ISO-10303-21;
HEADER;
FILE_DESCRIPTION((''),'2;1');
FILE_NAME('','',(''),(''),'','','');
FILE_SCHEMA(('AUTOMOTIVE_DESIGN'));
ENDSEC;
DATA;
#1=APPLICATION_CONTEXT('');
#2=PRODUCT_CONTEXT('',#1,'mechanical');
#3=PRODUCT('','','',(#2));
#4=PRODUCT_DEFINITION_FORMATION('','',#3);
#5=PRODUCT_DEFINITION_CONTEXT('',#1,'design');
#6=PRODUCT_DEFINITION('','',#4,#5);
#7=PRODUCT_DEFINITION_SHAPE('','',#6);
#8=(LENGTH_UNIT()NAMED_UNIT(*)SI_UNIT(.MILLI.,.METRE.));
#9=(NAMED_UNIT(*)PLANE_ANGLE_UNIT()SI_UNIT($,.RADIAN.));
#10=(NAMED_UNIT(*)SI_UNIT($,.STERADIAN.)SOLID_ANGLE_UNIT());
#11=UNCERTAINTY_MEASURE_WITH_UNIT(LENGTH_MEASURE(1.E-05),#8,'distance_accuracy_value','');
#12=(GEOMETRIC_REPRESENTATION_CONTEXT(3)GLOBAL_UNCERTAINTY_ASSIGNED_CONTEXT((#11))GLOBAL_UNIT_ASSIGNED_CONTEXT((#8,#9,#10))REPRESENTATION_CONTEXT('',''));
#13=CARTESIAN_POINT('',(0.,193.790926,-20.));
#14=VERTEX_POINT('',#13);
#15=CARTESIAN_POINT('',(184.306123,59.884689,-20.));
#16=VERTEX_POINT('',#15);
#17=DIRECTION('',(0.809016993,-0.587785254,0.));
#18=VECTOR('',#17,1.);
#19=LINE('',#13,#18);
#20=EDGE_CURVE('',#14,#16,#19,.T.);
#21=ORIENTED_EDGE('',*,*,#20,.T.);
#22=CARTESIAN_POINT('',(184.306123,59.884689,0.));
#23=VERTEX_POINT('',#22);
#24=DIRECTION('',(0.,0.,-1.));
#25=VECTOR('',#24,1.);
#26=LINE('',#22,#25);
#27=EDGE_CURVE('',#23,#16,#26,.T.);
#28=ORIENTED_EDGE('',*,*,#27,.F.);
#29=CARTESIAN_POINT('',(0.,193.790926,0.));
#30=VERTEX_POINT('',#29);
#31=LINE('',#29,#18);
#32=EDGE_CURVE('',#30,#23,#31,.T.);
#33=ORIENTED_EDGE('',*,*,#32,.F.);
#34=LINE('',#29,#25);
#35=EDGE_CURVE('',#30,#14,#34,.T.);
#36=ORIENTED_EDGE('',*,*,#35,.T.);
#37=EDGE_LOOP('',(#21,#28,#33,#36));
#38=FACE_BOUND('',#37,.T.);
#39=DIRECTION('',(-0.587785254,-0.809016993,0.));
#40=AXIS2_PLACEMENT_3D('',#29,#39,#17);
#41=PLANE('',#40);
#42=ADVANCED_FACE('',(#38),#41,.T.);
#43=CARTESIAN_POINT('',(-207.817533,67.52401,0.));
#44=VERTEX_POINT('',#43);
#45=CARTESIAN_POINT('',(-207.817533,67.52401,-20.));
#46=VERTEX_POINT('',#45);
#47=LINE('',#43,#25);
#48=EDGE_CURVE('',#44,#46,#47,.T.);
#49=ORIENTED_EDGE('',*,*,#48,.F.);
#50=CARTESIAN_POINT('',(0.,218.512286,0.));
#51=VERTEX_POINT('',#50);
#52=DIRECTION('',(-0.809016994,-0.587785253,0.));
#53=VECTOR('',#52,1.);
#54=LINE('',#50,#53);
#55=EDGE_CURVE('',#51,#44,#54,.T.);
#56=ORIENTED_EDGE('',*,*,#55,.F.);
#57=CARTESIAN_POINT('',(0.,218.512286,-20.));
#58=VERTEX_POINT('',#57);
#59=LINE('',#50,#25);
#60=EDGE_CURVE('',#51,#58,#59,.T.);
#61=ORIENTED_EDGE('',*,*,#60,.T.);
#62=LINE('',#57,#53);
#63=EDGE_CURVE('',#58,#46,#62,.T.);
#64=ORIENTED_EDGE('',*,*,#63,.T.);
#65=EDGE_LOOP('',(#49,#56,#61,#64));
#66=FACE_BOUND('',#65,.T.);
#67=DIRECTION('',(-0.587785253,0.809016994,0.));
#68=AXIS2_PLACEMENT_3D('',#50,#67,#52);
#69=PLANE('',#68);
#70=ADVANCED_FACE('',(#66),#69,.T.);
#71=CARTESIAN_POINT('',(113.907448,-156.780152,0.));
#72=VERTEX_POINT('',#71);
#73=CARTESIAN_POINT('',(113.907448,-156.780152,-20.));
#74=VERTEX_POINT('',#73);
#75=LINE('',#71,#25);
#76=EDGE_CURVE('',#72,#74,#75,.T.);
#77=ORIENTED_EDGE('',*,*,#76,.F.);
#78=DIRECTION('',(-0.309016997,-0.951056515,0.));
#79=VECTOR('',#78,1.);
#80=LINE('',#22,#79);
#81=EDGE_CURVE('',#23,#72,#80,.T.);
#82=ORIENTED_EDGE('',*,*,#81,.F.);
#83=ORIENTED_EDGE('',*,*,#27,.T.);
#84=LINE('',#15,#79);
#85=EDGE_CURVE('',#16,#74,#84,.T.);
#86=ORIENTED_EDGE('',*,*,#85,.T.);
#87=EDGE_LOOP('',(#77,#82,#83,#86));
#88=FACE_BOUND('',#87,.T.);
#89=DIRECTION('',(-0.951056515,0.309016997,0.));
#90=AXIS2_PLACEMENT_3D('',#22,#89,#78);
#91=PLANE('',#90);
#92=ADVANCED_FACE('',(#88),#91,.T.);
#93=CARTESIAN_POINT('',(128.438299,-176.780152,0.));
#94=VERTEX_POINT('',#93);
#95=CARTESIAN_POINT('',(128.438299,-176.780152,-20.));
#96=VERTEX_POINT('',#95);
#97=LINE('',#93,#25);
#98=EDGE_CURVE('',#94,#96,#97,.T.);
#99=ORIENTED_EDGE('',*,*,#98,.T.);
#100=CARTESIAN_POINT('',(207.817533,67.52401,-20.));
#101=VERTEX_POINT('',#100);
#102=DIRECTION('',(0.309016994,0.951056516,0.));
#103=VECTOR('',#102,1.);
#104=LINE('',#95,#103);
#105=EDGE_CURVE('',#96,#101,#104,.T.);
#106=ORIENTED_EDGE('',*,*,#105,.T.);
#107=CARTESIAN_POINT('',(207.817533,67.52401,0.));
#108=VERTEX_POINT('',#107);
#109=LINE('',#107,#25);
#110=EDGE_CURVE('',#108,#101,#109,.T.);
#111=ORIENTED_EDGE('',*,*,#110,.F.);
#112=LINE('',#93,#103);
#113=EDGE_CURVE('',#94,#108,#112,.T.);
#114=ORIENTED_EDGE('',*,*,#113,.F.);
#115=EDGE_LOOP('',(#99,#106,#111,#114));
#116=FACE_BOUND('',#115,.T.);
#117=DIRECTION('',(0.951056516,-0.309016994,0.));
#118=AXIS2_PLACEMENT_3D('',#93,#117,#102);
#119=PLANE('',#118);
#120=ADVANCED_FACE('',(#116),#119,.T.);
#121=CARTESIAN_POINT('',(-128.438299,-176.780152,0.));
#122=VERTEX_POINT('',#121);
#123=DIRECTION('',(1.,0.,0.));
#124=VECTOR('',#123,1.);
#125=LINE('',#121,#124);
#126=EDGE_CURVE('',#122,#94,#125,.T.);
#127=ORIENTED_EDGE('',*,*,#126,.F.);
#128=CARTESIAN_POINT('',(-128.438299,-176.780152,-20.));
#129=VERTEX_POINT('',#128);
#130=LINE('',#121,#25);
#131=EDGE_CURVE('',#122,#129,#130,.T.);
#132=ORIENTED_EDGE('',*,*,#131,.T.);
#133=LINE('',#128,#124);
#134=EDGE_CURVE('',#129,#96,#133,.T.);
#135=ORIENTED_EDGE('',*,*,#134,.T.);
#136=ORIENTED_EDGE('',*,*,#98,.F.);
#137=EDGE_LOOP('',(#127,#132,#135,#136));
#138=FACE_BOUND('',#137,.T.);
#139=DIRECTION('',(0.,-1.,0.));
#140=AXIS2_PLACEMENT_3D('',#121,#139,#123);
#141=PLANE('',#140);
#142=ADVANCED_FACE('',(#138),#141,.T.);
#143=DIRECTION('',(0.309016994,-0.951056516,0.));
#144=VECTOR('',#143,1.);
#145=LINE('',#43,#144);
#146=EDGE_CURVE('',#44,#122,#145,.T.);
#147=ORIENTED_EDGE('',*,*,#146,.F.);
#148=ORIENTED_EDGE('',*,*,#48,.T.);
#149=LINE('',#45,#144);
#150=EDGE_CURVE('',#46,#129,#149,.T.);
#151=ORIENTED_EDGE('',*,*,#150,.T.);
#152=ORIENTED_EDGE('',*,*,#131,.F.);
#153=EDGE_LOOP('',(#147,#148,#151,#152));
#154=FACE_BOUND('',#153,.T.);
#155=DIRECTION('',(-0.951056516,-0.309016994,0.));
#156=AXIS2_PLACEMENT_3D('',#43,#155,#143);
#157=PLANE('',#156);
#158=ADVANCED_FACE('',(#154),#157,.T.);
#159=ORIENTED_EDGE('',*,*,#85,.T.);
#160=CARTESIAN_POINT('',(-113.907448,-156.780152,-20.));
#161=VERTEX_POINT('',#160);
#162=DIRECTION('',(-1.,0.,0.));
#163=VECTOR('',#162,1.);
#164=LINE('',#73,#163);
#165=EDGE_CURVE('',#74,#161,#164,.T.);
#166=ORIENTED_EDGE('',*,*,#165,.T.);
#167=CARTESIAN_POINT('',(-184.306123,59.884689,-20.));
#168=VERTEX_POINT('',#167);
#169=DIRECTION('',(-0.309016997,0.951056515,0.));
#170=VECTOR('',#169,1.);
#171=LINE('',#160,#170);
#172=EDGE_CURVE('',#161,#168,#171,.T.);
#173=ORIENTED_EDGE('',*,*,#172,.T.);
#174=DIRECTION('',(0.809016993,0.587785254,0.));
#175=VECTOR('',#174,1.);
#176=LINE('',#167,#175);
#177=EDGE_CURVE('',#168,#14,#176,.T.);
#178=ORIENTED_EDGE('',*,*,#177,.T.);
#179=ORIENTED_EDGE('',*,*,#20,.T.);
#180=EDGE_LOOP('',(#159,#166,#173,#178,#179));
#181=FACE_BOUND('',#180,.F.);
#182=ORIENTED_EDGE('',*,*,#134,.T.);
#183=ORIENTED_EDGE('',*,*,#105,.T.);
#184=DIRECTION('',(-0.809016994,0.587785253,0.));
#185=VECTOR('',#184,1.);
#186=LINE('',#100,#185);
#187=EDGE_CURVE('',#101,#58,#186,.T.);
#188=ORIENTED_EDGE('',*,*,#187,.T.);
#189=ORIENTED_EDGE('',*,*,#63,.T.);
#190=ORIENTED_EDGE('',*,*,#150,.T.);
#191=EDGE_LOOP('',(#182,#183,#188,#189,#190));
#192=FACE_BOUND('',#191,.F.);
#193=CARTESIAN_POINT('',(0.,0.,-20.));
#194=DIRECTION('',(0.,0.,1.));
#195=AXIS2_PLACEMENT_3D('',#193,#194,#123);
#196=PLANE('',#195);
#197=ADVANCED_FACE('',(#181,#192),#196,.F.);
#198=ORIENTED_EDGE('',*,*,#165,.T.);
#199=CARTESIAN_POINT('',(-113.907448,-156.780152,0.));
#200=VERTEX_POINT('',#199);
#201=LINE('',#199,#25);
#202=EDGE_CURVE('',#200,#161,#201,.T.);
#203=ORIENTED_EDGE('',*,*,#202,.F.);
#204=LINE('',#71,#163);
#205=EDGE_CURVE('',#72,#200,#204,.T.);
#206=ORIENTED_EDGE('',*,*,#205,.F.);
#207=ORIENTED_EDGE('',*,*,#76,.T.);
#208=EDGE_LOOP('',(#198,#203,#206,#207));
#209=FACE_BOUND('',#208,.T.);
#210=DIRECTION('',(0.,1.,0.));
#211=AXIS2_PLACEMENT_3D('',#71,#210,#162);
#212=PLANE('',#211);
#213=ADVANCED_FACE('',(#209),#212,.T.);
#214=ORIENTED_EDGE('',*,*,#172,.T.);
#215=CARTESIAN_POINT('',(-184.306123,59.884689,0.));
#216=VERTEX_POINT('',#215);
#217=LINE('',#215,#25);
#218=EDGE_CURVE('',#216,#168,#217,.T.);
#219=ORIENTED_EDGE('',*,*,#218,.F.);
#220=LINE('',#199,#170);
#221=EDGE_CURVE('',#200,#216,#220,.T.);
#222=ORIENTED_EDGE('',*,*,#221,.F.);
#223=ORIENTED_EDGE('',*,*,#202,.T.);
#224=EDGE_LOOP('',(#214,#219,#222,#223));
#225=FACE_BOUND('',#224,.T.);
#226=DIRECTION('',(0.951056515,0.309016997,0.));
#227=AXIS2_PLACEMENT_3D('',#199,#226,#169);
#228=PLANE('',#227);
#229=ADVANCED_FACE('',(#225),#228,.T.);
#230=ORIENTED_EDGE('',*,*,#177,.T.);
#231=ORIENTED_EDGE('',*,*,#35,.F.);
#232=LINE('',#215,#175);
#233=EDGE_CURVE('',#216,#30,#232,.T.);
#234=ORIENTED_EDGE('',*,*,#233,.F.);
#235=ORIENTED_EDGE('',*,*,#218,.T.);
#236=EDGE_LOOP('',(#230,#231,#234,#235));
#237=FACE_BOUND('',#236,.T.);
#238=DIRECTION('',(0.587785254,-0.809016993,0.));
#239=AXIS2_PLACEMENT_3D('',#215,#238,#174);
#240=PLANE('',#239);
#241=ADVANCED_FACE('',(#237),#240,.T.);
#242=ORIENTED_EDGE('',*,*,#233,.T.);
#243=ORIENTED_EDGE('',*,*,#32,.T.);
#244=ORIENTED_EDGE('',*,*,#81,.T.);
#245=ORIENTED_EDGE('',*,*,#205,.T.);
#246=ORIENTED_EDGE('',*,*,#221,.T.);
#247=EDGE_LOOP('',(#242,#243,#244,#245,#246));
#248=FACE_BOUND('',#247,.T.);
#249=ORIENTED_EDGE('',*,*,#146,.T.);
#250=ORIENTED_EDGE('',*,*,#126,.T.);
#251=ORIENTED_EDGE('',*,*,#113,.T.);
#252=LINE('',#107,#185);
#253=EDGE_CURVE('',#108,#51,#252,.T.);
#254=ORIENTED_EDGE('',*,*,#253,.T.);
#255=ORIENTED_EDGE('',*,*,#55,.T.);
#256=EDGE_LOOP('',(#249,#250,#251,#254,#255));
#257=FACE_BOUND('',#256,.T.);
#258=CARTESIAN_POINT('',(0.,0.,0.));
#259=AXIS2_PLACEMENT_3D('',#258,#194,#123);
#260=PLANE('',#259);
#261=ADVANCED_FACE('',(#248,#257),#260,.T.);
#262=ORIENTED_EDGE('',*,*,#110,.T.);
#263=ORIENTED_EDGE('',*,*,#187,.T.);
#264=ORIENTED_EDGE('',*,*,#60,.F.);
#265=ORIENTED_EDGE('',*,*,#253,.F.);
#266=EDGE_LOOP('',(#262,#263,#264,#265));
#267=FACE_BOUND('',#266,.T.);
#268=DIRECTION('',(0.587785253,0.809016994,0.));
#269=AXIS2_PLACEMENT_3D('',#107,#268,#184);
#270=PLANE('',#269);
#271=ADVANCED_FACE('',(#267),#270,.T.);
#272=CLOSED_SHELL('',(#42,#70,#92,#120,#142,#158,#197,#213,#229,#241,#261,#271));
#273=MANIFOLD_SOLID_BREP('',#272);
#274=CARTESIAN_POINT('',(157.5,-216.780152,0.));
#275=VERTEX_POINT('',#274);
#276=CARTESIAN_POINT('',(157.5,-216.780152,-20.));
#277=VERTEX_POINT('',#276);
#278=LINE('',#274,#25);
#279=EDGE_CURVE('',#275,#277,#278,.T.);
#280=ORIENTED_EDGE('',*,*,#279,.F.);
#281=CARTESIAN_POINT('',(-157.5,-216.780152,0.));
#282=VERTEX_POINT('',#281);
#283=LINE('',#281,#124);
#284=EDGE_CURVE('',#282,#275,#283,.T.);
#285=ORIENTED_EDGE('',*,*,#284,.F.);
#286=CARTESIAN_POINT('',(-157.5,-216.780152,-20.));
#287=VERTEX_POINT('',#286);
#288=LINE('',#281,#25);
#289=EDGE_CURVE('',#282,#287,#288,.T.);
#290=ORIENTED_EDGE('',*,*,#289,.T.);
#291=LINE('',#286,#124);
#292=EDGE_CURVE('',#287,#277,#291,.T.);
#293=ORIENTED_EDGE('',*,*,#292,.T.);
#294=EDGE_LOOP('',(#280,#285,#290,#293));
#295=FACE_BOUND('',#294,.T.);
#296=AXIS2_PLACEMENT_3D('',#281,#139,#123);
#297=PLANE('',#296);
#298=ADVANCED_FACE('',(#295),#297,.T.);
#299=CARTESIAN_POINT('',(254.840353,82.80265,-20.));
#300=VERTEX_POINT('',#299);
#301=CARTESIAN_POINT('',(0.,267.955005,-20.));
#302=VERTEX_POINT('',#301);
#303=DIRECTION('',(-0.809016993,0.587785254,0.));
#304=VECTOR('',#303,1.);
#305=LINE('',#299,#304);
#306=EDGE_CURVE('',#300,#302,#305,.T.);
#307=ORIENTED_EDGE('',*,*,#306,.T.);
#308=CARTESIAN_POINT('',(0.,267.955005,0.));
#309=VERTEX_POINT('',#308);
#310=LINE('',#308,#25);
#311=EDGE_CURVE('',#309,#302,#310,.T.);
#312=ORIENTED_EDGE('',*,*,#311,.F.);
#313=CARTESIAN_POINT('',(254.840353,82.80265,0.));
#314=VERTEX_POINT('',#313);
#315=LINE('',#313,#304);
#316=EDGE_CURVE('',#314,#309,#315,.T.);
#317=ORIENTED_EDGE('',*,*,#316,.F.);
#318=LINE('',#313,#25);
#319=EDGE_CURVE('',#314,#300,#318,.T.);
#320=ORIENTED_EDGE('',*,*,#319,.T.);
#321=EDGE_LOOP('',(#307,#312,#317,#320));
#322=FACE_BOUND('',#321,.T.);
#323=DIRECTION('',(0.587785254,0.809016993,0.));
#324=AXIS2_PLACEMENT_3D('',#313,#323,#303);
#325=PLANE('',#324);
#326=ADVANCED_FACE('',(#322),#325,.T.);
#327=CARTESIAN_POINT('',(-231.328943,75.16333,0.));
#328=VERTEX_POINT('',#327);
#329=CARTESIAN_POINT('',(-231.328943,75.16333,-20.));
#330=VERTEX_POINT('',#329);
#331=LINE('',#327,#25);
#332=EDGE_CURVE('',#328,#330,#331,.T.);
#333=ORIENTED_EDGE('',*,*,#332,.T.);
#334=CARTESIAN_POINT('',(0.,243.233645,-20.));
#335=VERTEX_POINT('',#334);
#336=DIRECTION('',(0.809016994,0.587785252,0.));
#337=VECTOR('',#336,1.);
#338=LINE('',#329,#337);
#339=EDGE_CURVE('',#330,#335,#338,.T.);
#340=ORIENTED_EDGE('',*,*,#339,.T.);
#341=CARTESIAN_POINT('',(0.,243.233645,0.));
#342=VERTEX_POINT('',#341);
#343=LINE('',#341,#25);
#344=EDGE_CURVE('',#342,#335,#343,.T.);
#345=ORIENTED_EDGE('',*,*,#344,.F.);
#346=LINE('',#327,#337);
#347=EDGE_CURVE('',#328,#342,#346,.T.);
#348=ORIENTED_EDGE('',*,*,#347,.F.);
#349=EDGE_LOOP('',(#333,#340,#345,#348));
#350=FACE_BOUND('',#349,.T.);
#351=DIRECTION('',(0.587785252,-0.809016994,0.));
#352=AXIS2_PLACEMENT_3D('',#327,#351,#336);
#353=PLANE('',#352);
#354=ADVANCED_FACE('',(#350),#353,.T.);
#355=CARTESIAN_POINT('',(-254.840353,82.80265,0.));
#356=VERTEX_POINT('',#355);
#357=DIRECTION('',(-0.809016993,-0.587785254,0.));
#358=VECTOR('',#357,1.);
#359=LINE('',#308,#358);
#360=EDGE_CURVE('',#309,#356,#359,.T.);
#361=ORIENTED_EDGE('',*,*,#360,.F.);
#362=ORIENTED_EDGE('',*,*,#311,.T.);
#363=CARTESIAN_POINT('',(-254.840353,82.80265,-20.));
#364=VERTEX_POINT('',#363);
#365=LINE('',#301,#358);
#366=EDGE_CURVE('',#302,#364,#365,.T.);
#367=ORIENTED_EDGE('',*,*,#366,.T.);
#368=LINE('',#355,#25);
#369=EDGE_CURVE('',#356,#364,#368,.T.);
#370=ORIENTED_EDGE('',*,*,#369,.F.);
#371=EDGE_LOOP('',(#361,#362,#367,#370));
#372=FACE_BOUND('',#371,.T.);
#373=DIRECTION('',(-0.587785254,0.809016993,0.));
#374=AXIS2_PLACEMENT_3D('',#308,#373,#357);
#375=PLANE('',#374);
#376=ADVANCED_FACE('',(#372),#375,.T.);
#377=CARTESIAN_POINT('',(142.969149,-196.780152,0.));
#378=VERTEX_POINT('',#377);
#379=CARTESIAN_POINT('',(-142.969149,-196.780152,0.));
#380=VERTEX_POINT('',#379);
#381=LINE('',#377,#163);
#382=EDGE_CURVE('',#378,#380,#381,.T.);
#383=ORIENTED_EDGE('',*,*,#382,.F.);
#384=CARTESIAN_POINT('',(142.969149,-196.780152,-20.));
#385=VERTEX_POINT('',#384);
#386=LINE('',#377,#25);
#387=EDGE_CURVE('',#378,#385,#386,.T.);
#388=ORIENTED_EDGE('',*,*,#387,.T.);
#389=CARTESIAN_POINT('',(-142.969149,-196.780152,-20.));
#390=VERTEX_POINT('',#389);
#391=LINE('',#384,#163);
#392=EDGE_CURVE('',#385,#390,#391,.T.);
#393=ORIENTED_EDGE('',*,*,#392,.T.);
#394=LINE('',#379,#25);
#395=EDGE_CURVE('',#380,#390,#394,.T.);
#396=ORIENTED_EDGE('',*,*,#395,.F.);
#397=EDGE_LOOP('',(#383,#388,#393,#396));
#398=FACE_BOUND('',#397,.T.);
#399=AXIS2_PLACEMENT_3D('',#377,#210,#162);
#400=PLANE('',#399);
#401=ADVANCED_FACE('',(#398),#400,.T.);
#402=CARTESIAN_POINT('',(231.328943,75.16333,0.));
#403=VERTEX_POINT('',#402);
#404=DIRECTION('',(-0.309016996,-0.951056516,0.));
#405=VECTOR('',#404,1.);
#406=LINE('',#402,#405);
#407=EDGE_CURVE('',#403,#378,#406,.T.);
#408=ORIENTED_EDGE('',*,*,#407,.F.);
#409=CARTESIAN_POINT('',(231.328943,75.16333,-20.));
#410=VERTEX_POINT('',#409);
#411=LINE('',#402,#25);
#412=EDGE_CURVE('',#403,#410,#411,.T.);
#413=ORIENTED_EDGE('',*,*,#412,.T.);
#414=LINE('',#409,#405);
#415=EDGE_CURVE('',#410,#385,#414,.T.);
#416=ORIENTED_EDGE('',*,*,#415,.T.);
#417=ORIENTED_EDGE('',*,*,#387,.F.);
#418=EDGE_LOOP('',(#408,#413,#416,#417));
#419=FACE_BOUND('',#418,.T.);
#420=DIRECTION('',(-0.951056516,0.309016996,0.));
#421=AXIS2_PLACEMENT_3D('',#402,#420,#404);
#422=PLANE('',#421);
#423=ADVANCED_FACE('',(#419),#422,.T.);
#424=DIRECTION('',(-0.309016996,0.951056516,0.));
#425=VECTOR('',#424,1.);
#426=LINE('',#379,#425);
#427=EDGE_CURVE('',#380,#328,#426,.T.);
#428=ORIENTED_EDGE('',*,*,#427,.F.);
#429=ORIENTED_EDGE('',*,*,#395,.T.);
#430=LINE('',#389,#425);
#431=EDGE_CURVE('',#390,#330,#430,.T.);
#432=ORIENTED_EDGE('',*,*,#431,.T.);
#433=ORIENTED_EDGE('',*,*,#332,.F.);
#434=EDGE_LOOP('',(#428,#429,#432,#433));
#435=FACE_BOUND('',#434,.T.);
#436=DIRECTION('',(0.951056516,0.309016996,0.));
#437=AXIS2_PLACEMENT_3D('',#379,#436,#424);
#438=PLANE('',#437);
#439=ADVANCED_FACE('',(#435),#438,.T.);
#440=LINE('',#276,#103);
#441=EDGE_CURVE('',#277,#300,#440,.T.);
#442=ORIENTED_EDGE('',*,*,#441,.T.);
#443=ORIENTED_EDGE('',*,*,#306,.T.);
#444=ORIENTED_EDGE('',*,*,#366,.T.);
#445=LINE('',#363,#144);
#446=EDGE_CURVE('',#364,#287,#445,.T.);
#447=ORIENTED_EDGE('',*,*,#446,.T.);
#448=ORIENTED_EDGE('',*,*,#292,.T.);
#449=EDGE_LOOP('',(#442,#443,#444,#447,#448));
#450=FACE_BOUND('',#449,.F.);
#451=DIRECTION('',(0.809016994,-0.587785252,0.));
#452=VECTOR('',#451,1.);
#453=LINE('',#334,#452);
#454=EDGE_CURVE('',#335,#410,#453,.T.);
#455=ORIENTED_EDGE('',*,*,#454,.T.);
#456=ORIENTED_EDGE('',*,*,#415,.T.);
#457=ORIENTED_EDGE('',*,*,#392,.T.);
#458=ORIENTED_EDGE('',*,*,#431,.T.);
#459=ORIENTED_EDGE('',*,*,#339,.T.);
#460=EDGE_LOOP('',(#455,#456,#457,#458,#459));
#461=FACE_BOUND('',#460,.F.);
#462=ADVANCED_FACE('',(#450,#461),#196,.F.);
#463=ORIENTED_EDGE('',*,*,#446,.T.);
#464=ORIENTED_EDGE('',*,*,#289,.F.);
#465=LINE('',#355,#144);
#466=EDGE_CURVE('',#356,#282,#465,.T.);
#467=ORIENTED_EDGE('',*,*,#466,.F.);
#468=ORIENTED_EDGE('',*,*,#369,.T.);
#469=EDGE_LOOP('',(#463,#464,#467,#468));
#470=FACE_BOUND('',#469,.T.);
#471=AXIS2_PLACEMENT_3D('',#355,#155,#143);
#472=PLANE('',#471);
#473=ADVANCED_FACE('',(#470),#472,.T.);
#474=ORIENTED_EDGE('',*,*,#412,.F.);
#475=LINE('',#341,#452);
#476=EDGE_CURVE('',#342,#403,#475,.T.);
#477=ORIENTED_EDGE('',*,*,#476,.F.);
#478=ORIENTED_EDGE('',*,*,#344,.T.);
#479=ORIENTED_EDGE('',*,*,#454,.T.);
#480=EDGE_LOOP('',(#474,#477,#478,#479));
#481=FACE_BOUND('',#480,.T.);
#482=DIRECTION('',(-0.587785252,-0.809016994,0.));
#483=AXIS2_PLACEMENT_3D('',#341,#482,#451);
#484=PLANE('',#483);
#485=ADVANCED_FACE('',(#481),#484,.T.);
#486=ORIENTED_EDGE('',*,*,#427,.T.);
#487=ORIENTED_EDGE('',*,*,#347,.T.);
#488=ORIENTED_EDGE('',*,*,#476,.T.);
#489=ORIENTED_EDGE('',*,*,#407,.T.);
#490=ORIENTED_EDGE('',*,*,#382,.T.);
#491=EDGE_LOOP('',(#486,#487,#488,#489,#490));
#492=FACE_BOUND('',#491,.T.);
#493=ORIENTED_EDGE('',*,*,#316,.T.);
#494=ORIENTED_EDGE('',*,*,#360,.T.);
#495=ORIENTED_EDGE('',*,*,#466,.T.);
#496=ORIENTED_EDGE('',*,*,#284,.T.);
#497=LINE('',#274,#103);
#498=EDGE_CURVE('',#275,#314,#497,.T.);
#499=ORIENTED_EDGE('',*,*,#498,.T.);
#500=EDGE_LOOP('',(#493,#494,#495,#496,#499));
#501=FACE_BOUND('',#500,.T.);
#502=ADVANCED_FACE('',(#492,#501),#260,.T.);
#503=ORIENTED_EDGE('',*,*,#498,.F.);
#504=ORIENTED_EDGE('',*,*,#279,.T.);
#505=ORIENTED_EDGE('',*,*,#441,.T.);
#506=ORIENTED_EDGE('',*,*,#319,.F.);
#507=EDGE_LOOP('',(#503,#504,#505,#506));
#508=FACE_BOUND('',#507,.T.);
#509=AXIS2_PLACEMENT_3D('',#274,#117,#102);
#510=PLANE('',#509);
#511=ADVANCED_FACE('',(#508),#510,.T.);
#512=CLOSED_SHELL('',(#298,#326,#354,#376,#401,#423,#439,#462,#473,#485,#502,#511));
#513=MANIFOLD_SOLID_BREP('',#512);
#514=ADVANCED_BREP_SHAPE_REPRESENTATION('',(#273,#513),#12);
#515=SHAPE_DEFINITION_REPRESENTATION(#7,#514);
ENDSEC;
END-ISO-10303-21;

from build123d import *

# Parameters (mm, degrees)
F1_DEPTH = 20


with BuildPart() as f1:
    # F0 (on Top) → F1 (new body)
    with BuildSketch(Plane.XY):
        Polygon((-157.5, -216.780152), (157.5, -216.780152), (254.840353, 82.80265), (0, 267.955005), (-254.840353, 82.80265), align=None)
        Polygon((-231.328943, 75.16333), (0, 243.233645), (231.328943, 75.16333), (142.969149, -196.780152), (-142.969149, -196.780152), align=None, mode=Mode.SUBTRACT)
        Polygon((207.817533, 67.52401), (0, 218.512286), (-207.817533, 67.52401), (-128.438299, -176.780152), (128.438299, -176.780152), align=None)
        Polygon((-184.306123, 59.884689), (0, 193.790926), (184.306123, 59.884689), (113.907448, -156.780152), (-113.907448, -156.780152), align=None, mode=Mode.SUBTRACT)
    extrude(amount=-F1_DEPTH)


solid = f1.part
